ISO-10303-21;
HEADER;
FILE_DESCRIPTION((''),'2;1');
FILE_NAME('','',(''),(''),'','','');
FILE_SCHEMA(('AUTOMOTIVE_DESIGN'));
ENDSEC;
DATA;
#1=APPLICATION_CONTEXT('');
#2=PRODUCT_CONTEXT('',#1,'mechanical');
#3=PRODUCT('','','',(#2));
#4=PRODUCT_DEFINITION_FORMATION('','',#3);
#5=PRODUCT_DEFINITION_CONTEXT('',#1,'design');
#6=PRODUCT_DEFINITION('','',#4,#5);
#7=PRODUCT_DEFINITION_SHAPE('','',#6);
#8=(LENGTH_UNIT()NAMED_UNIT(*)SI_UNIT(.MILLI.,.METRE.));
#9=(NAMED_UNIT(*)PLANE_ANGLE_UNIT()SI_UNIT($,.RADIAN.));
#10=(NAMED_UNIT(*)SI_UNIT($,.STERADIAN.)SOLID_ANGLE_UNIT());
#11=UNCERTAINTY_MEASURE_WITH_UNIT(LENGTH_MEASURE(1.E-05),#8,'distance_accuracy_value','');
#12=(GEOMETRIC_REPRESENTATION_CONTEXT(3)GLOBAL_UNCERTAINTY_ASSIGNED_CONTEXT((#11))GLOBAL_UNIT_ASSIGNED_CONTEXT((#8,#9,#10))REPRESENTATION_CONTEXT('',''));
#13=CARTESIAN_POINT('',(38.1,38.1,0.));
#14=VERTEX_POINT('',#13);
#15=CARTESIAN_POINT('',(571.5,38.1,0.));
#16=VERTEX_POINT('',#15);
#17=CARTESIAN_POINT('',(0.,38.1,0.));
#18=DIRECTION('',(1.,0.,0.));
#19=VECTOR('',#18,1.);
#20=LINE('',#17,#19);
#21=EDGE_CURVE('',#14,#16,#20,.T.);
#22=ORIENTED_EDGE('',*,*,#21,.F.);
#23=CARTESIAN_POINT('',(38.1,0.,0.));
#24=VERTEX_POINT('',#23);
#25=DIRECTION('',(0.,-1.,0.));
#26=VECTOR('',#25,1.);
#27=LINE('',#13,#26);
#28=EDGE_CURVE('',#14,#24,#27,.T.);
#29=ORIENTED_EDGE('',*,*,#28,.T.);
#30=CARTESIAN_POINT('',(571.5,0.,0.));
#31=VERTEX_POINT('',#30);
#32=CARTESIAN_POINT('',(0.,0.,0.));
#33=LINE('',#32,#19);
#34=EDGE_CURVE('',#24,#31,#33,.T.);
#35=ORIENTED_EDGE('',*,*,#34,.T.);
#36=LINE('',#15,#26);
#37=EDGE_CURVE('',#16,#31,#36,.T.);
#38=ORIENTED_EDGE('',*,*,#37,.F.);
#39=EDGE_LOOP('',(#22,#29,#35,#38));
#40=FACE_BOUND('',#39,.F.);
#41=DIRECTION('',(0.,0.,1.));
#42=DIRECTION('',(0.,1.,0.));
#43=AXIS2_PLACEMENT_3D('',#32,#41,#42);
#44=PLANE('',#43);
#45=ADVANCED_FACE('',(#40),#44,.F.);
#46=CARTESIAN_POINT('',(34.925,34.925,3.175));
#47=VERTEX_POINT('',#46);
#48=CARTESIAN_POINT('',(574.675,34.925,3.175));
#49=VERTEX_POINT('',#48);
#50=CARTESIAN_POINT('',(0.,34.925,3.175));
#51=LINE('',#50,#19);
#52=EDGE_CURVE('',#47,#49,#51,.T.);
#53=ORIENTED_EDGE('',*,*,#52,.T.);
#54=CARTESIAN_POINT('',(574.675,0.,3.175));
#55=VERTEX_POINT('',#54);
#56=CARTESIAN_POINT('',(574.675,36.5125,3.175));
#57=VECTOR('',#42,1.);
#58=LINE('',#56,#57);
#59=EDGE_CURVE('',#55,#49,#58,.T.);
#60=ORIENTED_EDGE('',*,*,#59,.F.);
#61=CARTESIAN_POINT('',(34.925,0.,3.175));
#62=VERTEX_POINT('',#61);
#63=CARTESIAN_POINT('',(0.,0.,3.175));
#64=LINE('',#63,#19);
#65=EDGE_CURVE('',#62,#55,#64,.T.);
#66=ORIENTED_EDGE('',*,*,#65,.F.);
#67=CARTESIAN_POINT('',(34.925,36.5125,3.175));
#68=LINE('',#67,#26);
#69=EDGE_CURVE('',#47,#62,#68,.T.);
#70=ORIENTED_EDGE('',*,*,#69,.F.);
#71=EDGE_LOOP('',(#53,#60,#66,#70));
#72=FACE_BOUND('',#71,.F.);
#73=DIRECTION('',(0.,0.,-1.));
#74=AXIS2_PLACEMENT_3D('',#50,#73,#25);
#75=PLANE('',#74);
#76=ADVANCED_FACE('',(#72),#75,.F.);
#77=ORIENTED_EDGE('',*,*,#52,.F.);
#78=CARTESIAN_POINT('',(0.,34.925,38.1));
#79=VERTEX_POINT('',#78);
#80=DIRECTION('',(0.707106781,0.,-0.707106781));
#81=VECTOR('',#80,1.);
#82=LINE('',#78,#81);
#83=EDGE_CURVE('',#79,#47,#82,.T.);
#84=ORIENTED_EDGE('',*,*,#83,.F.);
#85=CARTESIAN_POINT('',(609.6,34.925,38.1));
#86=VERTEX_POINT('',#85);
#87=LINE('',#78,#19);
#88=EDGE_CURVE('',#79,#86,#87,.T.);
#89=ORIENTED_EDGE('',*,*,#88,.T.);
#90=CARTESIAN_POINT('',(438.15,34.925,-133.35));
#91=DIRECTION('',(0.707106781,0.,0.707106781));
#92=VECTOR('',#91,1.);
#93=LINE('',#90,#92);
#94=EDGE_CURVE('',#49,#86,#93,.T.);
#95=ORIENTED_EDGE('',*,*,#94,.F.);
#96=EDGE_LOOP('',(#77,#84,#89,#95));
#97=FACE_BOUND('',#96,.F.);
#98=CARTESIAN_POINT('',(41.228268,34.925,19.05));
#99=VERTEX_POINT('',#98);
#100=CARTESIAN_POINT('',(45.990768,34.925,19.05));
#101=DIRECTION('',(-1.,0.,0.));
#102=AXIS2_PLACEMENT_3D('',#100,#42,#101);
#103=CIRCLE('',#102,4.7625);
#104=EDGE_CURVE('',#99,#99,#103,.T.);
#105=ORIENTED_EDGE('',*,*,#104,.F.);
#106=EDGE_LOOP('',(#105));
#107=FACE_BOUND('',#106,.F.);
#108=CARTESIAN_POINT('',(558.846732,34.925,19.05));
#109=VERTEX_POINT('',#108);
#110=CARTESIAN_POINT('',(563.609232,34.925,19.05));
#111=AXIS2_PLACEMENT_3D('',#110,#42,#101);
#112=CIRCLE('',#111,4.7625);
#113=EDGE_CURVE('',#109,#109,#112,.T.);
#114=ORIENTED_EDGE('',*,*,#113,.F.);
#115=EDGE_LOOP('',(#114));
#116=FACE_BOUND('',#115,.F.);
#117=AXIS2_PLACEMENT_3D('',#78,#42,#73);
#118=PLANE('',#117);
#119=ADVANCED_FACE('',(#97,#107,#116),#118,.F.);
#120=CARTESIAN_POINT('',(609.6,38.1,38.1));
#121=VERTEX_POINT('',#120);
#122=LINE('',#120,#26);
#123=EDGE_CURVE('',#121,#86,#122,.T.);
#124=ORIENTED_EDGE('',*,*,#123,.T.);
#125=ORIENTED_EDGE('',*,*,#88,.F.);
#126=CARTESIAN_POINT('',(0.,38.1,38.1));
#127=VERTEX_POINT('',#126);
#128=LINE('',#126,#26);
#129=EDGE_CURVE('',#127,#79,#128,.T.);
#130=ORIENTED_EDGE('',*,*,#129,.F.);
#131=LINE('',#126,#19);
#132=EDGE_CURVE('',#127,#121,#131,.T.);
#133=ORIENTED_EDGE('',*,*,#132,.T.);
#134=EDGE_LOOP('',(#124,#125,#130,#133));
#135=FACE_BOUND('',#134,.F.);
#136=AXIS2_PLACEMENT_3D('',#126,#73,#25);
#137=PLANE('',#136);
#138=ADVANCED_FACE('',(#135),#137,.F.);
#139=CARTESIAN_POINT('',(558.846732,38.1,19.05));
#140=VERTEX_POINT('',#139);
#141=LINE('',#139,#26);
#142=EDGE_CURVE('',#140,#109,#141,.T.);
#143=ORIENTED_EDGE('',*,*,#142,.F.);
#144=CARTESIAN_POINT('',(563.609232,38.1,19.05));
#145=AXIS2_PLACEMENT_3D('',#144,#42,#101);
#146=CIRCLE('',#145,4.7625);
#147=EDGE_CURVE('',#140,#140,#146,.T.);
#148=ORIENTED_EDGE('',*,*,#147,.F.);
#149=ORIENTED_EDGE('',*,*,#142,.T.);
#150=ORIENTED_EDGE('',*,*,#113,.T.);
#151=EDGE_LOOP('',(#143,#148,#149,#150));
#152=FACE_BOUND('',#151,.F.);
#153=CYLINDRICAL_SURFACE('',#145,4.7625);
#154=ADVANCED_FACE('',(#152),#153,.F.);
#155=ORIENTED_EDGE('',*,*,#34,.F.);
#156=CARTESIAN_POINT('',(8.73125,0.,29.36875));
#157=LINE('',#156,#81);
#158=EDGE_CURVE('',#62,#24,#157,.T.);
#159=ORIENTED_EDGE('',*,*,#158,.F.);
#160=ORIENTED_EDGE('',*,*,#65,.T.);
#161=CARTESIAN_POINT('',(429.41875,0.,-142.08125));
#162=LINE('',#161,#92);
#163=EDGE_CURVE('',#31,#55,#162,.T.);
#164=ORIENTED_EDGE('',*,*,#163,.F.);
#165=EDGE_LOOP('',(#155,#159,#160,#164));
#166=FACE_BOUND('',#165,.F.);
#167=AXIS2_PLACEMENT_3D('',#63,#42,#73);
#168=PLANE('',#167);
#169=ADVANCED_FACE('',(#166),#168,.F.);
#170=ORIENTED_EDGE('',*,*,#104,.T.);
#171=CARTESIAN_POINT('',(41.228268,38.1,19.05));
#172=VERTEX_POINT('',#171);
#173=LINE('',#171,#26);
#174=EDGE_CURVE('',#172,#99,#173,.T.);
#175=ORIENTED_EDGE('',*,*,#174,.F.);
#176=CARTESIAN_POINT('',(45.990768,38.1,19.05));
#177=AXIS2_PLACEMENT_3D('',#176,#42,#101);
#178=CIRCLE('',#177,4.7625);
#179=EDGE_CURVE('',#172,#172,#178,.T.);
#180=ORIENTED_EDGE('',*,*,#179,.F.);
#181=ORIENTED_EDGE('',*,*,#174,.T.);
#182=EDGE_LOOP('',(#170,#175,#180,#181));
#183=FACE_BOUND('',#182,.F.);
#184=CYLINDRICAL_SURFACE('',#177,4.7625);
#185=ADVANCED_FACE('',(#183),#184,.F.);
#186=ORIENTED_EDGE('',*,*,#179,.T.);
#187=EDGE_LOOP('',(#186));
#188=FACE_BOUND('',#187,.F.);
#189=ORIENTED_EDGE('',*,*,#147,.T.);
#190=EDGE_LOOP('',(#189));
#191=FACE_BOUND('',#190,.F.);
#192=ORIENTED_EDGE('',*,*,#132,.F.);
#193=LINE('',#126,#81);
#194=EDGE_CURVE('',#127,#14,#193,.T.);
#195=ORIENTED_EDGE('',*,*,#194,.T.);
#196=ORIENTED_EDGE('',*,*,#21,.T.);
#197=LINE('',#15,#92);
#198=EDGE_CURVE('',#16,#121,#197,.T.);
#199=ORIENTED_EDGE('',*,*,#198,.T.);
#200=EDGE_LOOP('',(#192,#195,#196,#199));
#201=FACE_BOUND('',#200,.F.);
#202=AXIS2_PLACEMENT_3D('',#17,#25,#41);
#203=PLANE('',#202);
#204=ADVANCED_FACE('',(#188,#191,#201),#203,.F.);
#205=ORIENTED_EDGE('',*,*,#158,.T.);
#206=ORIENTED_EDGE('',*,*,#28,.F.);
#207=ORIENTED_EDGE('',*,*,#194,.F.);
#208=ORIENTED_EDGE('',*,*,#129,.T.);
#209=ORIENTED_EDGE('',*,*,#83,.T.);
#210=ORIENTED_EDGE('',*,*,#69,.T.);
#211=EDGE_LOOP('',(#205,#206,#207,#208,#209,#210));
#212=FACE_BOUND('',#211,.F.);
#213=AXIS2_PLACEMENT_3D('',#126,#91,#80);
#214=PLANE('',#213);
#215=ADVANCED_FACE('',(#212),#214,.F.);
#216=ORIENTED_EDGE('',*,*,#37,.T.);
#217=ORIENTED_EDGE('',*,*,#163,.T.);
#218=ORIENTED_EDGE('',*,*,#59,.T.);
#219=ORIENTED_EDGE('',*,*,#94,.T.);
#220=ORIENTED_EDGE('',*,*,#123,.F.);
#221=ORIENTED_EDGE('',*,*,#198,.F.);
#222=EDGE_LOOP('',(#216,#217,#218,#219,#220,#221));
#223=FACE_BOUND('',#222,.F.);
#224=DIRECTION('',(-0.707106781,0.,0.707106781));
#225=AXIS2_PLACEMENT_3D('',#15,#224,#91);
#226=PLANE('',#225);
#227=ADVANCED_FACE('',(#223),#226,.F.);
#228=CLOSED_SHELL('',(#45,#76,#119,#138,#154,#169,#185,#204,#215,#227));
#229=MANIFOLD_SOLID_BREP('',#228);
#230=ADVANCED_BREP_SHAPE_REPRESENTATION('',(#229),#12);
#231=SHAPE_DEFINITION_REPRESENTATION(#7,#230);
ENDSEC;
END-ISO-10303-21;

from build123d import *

# Parameters (mm, degrees)
F1_DEPTH = 609.6
F3_DEPTH = 38.101
F4_R     = 4.7625
F5_DEPTH = 38.101


with BuildPart() as f1:
    # F0 (on Right) → F1 (new body)
    with BuildSketch(Plane.YZ):
        Polygon((0, 3.175), (0, 0), (38.1, 0), (38.1, 38.1), (34.925, 38.1), (34.925, 3.175), align=None)
    extrude(amount=F1_DEPTH)

    # F2 (on face) → F3 (cut, through all)
    with BuildSketch(Plane(origin=(0, 38.1, 0), x_dir=(-1, 0, 0), z_dir=(0, 1, 0))):
        Polygon((-571.5, 0), (-609.6, 38.1), (-609.6, 0), align=None)
        Polygon((0, 0), (0, 38.1), (-38.1, 0), align=None)
    extrude(amount=-F3_DEPTH, mode=Mode.SUBTRACT)

    # F4 (on face) → F5 (cut, through all)
    with BuildSketch(Plane(origin=(0, 38.1, 0), x_dir=(-1, 0, 0), z_dir=(0, 1, 0))):
        with Locations((-45.990768, 19.05)):
            Circle(F4_R)
        with Locations((-563.609232, 19.05)):
            Circle(F4_R)
    extrude(amount=-F5_DEPTH, mode=Mode.SUBTRACT)


solid = f1.part
